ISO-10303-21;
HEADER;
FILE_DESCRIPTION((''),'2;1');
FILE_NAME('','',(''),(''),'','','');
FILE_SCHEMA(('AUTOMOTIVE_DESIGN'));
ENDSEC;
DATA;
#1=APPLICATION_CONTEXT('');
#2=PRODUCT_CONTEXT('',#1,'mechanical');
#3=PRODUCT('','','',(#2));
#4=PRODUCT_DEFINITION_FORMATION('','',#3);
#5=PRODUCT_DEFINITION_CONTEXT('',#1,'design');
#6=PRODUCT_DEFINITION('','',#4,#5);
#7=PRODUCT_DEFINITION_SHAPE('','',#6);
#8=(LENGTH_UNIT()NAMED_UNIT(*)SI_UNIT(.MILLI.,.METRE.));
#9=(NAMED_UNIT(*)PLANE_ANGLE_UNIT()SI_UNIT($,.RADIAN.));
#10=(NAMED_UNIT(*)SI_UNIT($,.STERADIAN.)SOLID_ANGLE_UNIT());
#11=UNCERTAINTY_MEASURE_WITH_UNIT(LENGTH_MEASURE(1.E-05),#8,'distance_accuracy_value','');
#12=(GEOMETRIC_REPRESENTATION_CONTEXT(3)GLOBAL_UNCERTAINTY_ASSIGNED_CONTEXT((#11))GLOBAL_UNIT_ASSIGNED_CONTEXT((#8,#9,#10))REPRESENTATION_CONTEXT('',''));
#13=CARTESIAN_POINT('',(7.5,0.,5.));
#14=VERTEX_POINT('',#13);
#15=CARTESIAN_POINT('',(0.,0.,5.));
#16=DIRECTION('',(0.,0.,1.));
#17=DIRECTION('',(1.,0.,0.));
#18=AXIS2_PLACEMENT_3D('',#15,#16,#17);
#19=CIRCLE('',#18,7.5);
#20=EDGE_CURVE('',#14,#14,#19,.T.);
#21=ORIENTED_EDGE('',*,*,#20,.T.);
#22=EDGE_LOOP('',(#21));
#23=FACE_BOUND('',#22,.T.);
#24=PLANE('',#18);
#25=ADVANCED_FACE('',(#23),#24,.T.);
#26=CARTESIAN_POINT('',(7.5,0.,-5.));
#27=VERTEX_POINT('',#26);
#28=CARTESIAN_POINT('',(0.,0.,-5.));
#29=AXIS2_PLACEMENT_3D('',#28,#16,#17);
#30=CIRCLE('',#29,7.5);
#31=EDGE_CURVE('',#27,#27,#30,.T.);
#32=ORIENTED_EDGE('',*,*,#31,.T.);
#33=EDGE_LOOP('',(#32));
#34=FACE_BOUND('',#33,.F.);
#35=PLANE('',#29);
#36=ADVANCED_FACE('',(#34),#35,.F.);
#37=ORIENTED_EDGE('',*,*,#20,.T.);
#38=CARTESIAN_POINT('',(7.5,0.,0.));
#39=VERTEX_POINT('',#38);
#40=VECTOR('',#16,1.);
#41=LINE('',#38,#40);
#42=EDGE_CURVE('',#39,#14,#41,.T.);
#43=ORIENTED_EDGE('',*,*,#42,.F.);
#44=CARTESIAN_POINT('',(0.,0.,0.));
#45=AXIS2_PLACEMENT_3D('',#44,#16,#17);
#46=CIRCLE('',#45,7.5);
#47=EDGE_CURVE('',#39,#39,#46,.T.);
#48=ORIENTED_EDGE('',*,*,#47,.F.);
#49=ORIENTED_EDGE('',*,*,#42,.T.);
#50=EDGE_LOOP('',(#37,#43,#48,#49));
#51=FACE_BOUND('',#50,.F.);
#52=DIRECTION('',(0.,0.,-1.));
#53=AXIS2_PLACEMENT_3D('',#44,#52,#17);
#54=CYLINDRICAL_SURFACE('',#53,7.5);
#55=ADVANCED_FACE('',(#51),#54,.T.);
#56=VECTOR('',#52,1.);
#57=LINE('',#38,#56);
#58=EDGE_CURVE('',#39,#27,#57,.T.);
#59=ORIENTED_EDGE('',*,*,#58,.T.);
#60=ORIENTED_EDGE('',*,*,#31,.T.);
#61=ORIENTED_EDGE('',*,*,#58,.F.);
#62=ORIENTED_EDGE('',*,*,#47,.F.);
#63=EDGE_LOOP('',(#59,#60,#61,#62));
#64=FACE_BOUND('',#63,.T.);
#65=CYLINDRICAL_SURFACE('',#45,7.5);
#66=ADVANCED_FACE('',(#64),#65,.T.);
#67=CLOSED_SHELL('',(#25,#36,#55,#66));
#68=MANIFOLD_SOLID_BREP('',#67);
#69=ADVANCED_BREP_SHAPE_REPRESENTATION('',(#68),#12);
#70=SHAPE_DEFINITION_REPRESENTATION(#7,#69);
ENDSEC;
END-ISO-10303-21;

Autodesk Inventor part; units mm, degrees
sketch "Esboço1" plane through (0, 0, 0) normal (0, 0, 1) x (1, 0, 0)
  circle A0 centre (0, 0) radius 7.5
  dimension "d0" = 15
extrude "Extrusão1" add sketch "Esboço1" along normal mid plane 10
properties part number "cilindro_0001_001" material "PCL plástico"
